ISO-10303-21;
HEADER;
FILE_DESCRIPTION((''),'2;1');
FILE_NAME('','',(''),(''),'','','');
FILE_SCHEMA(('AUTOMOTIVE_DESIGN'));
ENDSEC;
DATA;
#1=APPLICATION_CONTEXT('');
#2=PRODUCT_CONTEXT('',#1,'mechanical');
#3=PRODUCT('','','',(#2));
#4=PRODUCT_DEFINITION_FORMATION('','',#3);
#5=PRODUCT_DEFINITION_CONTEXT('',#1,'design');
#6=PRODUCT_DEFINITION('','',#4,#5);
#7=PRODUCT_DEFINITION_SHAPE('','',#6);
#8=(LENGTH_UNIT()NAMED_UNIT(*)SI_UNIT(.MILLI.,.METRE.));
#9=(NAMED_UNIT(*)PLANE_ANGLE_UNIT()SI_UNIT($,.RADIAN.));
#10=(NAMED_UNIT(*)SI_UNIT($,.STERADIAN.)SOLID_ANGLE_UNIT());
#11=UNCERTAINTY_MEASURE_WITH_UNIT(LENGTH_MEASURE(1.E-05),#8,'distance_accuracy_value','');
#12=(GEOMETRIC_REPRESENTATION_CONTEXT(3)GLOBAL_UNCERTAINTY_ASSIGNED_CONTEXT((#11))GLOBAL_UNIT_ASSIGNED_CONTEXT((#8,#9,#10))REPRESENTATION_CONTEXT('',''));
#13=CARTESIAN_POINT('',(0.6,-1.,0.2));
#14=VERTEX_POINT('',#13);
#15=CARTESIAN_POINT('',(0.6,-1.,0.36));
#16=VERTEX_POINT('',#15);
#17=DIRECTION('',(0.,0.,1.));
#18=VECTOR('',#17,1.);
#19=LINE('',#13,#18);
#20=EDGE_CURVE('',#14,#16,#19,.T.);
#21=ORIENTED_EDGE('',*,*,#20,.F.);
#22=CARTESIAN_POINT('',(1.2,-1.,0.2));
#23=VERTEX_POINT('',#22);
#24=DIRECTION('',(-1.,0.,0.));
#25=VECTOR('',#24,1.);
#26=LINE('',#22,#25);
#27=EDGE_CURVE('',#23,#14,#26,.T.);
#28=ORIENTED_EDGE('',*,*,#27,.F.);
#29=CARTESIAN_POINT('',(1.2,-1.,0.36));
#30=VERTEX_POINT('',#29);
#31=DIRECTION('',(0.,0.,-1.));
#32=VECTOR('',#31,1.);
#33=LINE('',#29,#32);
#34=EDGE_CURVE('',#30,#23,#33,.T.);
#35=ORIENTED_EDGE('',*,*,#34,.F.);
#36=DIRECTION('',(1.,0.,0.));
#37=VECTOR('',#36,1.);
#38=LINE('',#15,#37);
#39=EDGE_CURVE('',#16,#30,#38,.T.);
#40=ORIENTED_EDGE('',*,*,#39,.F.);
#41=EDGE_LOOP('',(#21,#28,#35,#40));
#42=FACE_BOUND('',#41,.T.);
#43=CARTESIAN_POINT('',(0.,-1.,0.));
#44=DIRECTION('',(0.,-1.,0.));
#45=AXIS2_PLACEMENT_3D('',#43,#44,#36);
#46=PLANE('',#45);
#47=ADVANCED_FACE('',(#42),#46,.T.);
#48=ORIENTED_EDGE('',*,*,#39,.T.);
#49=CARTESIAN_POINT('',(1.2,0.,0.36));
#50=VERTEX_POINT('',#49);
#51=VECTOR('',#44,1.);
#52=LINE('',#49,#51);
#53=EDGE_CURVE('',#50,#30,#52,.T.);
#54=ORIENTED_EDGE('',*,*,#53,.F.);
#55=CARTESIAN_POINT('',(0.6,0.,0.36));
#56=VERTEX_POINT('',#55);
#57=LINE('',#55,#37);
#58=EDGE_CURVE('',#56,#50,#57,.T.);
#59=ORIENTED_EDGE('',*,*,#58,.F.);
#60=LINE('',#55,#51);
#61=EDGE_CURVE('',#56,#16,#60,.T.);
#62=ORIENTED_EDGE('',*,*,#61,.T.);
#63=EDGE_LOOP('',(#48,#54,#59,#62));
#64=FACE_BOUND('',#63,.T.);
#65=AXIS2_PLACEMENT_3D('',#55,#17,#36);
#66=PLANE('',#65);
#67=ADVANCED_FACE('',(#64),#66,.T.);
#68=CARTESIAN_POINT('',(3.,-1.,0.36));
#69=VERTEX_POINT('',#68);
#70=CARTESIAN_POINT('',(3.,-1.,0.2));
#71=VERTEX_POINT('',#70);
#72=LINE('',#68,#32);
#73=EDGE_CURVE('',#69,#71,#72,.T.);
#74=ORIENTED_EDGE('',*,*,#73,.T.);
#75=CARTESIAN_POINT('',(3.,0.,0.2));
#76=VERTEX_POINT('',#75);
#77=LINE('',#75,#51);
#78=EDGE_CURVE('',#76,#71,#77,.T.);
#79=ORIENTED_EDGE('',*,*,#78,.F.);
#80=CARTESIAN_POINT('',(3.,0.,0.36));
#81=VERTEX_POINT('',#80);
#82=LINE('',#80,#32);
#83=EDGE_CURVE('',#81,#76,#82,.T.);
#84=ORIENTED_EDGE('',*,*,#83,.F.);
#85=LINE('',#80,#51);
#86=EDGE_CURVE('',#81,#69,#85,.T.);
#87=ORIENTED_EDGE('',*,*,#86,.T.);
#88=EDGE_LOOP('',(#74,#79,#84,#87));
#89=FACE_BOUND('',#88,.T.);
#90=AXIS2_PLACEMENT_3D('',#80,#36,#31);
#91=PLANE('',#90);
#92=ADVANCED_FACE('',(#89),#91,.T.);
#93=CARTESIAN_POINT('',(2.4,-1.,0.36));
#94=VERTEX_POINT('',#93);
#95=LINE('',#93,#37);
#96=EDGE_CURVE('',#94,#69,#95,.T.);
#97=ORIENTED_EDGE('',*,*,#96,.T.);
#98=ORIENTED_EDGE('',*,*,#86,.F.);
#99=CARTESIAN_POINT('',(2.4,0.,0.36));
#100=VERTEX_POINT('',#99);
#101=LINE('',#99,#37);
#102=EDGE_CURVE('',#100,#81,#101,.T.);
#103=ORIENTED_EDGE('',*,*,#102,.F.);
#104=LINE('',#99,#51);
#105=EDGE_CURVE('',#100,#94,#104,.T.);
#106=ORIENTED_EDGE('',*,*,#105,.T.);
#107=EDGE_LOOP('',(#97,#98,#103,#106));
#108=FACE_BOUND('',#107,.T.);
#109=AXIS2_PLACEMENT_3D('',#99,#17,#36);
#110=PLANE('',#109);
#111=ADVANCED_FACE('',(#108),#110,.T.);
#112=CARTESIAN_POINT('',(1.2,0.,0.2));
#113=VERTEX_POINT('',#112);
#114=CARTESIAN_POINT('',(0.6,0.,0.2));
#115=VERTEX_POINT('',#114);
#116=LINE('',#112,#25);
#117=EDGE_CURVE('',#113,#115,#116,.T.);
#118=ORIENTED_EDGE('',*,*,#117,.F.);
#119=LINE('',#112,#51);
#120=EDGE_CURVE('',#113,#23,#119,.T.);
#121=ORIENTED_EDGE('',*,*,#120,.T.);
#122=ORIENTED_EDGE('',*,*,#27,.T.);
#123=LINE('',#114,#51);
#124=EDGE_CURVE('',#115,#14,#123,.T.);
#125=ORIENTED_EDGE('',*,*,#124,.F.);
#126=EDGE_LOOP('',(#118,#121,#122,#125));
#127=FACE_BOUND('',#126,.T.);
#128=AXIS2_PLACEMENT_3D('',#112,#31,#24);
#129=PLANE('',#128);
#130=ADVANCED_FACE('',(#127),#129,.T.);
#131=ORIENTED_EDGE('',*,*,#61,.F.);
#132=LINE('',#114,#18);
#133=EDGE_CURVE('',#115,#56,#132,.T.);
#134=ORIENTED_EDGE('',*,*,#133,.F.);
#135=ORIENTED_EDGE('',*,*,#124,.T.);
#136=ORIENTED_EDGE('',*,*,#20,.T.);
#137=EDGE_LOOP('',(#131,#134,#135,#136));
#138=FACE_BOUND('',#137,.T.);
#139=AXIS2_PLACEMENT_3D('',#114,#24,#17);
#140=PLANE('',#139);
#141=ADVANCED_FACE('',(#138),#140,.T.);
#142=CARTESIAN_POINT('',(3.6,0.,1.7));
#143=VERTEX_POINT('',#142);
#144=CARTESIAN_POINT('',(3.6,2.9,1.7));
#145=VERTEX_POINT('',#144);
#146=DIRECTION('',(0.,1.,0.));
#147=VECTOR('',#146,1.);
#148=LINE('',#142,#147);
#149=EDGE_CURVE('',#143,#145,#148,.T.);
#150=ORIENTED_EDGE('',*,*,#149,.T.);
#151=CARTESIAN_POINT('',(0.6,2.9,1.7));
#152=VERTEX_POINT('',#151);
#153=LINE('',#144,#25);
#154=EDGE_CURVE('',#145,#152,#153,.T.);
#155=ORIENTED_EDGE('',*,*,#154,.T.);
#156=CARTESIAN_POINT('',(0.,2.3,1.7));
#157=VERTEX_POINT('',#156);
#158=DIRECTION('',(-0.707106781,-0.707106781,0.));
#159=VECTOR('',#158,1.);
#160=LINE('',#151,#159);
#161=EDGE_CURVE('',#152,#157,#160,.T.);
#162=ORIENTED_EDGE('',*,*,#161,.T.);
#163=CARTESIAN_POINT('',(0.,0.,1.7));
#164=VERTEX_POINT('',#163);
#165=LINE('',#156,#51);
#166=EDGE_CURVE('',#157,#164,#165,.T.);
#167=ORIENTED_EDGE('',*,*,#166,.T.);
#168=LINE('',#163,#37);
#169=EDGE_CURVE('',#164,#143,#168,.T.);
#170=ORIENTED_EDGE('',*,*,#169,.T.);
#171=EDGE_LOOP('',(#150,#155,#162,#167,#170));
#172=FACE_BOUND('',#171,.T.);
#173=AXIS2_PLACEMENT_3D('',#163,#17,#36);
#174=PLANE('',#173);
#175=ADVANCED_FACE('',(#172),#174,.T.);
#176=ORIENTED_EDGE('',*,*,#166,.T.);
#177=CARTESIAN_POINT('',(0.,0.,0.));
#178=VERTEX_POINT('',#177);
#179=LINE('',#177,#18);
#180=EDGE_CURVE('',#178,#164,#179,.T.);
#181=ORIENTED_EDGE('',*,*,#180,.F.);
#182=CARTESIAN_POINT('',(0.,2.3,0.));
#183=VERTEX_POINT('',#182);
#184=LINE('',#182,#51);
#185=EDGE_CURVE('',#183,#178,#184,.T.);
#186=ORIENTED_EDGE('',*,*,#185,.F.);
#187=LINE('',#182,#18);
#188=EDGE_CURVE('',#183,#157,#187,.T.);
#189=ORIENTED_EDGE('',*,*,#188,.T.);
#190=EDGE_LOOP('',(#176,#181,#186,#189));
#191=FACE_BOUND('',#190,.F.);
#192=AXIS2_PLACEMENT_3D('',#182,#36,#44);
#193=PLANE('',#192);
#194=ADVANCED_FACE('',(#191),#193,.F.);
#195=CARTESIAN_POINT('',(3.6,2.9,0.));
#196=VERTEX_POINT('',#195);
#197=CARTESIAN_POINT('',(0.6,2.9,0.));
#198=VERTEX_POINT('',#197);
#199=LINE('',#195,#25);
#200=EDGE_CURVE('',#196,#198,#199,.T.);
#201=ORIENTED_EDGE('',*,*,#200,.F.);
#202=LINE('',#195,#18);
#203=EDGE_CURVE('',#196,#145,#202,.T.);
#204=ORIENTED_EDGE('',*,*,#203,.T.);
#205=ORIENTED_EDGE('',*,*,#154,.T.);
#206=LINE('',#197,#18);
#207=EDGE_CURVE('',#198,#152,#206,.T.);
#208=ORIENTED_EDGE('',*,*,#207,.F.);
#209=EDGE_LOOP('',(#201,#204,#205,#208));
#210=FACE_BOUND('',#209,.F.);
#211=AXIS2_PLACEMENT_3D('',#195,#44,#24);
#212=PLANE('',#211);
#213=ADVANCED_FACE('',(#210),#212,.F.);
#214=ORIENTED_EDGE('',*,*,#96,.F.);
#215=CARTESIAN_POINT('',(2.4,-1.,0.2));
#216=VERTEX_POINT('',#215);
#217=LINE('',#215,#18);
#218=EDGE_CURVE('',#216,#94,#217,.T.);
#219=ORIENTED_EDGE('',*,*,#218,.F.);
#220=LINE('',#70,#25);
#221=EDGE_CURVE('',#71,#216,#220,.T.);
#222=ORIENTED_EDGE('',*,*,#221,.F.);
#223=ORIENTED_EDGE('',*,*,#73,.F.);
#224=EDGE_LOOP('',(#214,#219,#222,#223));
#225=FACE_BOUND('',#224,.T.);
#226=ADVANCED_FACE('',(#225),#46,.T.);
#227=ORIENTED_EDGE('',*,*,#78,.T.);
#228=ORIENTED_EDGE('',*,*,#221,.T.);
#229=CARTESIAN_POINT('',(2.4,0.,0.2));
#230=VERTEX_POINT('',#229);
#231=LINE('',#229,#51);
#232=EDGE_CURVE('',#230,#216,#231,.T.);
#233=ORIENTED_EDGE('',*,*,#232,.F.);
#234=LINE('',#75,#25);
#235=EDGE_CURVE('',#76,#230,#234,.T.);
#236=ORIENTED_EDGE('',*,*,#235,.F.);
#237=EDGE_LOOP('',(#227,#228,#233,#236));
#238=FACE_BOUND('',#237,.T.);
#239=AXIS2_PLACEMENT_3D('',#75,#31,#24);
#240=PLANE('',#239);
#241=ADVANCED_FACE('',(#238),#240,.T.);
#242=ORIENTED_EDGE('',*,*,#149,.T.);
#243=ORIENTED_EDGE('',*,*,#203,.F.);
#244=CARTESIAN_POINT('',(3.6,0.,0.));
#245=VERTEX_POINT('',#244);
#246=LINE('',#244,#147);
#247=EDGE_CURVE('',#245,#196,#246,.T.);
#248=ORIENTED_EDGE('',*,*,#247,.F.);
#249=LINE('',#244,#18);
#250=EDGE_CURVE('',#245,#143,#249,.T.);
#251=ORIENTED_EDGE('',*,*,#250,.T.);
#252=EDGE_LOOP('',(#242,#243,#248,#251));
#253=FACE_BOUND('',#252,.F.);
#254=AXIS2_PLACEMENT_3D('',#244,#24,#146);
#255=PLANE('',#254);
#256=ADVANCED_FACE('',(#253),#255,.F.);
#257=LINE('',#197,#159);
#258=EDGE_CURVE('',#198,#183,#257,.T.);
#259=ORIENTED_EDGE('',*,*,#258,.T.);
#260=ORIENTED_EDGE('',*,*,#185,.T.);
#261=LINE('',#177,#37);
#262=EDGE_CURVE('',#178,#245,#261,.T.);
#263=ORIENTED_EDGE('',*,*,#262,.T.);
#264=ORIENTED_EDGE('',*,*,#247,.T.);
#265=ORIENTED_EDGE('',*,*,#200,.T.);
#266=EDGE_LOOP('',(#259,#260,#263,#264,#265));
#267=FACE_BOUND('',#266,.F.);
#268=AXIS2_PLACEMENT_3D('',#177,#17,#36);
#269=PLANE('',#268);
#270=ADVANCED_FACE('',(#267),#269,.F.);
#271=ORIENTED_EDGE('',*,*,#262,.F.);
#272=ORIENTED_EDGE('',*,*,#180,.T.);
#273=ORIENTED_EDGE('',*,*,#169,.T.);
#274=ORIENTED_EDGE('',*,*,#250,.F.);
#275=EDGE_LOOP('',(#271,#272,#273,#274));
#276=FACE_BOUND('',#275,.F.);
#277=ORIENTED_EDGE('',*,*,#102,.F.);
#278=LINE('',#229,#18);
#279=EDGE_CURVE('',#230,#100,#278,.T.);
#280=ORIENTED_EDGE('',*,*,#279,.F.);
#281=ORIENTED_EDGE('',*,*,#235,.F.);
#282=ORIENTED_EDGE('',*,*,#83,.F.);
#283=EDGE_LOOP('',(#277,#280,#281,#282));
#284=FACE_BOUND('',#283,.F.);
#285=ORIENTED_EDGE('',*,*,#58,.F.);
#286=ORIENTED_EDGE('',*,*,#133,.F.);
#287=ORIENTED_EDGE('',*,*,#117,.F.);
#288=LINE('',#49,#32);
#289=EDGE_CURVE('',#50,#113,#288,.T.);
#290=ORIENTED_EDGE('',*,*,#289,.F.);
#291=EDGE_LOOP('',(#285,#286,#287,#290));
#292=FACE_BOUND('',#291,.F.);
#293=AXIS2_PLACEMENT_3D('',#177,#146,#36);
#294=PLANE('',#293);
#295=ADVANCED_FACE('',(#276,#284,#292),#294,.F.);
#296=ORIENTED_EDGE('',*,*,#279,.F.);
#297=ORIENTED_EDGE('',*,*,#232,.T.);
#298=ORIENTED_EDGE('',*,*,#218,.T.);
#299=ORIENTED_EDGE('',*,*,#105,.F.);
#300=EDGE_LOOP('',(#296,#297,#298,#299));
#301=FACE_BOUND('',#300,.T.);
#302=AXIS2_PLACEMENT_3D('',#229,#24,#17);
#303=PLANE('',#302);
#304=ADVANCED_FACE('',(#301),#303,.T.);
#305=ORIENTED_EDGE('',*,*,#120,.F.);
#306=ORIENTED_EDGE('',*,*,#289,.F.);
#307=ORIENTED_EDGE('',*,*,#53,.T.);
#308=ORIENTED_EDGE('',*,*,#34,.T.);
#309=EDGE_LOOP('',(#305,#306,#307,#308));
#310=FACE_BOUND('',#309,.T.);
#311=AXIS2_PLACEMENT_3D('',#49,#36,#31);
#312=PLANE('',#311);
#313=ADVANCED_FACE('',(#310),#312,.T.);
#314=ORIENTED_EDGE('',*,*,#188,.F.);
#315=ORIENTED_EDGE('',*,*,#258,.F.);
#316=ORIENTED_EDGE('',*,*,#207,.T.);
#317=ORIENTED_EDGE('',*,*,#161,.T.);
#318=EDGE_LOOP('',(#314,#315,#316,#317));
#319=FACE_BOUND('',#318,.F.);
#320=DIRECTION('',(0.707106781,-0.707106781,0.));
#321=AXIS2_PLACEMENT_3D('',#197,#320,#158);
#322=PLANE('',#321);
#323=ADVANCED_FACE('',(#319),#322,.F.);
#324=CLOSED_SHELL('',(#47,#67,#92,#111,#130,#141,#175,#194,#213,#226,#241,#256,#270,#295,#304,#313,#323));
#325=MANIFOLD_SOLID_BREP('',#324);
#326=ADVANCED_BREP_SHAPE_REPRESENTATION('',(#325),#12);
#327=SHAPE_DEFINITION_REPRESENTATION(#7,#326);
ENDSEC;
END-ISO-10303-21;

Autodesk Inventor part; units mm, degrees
ref_plane "YZ Plane" through (0, 0, 0) normal (1, 0, 0) x (0, 1, 0)
ref_plane "XZ Plane" through (0, 0, 0) normal (0, 1, 0) x (-1, 0, 0)
ref_plane "XY Plane" through (0, 0, 0) normal (0, 0, 1) x (1, 0, 0)
sketch "Sketch1" plane through (0, 0, 0) normal (0, 0, 1) x (1, 0, 0)
  line L0 (0, 0) -> (3.6, 0)
  line L1 (3.6, 0) -> (3.6, 2.9)
  line L2 (3.6, 2.9) -> (0.6, 2.9)
  line L3 (0, 2.3) -> (0, 0)
  line L4 (0.6, 2.9) -> (0, 2.3)
  dimension "QRE1113_x" = 2.9
  dimension "d2" = 135
  dimension "d3" = 3
  dimension "QRE1113_y" = 3.6
extrude "Extrusion1" add sketch "Sketch1" along normal blind 1.7
sketch "Sketch2" plane through (0, 0, 0) normal (0, -1, 0) x (1, 0, 0)
  line L0 (0.6, 0.36) -> (1.2, 0.36)
  line L1 (1.2, 0.36) -> (1.2, 0.2)
  line L2 (1.2, 0.2) -> (0.6, 0.2)
  line L3 (0.6, 0.2) -> (0.6, 0.36)
  line L4 (2.4, 0.36) -> (3, 0.36)
  line L5 (3, 0.36) -> (3, 0.2)
  line L6 (3, 0.2) -> (2.4, 0.2)
  line L7 (2.4, 0.2) -> (2.4, 0.36)
  line L8 (0, 0) -> (0, 1.7) projected
  line L9 (3.6, 0) -> (3.6, 1.7) projected
  line L10 (0, 0) -> (3.6, 0) projected
  dimension "d7" = 0.6
  dimension "d8" = 0.6
  dimension "d9" = 0.6
  dimension "d10" = 0.2
  dimension "d11" = 0.16
extrude "Extrusion2" add sketch "Sketch2" along normal blind 1
properties part number "QRE1113"
